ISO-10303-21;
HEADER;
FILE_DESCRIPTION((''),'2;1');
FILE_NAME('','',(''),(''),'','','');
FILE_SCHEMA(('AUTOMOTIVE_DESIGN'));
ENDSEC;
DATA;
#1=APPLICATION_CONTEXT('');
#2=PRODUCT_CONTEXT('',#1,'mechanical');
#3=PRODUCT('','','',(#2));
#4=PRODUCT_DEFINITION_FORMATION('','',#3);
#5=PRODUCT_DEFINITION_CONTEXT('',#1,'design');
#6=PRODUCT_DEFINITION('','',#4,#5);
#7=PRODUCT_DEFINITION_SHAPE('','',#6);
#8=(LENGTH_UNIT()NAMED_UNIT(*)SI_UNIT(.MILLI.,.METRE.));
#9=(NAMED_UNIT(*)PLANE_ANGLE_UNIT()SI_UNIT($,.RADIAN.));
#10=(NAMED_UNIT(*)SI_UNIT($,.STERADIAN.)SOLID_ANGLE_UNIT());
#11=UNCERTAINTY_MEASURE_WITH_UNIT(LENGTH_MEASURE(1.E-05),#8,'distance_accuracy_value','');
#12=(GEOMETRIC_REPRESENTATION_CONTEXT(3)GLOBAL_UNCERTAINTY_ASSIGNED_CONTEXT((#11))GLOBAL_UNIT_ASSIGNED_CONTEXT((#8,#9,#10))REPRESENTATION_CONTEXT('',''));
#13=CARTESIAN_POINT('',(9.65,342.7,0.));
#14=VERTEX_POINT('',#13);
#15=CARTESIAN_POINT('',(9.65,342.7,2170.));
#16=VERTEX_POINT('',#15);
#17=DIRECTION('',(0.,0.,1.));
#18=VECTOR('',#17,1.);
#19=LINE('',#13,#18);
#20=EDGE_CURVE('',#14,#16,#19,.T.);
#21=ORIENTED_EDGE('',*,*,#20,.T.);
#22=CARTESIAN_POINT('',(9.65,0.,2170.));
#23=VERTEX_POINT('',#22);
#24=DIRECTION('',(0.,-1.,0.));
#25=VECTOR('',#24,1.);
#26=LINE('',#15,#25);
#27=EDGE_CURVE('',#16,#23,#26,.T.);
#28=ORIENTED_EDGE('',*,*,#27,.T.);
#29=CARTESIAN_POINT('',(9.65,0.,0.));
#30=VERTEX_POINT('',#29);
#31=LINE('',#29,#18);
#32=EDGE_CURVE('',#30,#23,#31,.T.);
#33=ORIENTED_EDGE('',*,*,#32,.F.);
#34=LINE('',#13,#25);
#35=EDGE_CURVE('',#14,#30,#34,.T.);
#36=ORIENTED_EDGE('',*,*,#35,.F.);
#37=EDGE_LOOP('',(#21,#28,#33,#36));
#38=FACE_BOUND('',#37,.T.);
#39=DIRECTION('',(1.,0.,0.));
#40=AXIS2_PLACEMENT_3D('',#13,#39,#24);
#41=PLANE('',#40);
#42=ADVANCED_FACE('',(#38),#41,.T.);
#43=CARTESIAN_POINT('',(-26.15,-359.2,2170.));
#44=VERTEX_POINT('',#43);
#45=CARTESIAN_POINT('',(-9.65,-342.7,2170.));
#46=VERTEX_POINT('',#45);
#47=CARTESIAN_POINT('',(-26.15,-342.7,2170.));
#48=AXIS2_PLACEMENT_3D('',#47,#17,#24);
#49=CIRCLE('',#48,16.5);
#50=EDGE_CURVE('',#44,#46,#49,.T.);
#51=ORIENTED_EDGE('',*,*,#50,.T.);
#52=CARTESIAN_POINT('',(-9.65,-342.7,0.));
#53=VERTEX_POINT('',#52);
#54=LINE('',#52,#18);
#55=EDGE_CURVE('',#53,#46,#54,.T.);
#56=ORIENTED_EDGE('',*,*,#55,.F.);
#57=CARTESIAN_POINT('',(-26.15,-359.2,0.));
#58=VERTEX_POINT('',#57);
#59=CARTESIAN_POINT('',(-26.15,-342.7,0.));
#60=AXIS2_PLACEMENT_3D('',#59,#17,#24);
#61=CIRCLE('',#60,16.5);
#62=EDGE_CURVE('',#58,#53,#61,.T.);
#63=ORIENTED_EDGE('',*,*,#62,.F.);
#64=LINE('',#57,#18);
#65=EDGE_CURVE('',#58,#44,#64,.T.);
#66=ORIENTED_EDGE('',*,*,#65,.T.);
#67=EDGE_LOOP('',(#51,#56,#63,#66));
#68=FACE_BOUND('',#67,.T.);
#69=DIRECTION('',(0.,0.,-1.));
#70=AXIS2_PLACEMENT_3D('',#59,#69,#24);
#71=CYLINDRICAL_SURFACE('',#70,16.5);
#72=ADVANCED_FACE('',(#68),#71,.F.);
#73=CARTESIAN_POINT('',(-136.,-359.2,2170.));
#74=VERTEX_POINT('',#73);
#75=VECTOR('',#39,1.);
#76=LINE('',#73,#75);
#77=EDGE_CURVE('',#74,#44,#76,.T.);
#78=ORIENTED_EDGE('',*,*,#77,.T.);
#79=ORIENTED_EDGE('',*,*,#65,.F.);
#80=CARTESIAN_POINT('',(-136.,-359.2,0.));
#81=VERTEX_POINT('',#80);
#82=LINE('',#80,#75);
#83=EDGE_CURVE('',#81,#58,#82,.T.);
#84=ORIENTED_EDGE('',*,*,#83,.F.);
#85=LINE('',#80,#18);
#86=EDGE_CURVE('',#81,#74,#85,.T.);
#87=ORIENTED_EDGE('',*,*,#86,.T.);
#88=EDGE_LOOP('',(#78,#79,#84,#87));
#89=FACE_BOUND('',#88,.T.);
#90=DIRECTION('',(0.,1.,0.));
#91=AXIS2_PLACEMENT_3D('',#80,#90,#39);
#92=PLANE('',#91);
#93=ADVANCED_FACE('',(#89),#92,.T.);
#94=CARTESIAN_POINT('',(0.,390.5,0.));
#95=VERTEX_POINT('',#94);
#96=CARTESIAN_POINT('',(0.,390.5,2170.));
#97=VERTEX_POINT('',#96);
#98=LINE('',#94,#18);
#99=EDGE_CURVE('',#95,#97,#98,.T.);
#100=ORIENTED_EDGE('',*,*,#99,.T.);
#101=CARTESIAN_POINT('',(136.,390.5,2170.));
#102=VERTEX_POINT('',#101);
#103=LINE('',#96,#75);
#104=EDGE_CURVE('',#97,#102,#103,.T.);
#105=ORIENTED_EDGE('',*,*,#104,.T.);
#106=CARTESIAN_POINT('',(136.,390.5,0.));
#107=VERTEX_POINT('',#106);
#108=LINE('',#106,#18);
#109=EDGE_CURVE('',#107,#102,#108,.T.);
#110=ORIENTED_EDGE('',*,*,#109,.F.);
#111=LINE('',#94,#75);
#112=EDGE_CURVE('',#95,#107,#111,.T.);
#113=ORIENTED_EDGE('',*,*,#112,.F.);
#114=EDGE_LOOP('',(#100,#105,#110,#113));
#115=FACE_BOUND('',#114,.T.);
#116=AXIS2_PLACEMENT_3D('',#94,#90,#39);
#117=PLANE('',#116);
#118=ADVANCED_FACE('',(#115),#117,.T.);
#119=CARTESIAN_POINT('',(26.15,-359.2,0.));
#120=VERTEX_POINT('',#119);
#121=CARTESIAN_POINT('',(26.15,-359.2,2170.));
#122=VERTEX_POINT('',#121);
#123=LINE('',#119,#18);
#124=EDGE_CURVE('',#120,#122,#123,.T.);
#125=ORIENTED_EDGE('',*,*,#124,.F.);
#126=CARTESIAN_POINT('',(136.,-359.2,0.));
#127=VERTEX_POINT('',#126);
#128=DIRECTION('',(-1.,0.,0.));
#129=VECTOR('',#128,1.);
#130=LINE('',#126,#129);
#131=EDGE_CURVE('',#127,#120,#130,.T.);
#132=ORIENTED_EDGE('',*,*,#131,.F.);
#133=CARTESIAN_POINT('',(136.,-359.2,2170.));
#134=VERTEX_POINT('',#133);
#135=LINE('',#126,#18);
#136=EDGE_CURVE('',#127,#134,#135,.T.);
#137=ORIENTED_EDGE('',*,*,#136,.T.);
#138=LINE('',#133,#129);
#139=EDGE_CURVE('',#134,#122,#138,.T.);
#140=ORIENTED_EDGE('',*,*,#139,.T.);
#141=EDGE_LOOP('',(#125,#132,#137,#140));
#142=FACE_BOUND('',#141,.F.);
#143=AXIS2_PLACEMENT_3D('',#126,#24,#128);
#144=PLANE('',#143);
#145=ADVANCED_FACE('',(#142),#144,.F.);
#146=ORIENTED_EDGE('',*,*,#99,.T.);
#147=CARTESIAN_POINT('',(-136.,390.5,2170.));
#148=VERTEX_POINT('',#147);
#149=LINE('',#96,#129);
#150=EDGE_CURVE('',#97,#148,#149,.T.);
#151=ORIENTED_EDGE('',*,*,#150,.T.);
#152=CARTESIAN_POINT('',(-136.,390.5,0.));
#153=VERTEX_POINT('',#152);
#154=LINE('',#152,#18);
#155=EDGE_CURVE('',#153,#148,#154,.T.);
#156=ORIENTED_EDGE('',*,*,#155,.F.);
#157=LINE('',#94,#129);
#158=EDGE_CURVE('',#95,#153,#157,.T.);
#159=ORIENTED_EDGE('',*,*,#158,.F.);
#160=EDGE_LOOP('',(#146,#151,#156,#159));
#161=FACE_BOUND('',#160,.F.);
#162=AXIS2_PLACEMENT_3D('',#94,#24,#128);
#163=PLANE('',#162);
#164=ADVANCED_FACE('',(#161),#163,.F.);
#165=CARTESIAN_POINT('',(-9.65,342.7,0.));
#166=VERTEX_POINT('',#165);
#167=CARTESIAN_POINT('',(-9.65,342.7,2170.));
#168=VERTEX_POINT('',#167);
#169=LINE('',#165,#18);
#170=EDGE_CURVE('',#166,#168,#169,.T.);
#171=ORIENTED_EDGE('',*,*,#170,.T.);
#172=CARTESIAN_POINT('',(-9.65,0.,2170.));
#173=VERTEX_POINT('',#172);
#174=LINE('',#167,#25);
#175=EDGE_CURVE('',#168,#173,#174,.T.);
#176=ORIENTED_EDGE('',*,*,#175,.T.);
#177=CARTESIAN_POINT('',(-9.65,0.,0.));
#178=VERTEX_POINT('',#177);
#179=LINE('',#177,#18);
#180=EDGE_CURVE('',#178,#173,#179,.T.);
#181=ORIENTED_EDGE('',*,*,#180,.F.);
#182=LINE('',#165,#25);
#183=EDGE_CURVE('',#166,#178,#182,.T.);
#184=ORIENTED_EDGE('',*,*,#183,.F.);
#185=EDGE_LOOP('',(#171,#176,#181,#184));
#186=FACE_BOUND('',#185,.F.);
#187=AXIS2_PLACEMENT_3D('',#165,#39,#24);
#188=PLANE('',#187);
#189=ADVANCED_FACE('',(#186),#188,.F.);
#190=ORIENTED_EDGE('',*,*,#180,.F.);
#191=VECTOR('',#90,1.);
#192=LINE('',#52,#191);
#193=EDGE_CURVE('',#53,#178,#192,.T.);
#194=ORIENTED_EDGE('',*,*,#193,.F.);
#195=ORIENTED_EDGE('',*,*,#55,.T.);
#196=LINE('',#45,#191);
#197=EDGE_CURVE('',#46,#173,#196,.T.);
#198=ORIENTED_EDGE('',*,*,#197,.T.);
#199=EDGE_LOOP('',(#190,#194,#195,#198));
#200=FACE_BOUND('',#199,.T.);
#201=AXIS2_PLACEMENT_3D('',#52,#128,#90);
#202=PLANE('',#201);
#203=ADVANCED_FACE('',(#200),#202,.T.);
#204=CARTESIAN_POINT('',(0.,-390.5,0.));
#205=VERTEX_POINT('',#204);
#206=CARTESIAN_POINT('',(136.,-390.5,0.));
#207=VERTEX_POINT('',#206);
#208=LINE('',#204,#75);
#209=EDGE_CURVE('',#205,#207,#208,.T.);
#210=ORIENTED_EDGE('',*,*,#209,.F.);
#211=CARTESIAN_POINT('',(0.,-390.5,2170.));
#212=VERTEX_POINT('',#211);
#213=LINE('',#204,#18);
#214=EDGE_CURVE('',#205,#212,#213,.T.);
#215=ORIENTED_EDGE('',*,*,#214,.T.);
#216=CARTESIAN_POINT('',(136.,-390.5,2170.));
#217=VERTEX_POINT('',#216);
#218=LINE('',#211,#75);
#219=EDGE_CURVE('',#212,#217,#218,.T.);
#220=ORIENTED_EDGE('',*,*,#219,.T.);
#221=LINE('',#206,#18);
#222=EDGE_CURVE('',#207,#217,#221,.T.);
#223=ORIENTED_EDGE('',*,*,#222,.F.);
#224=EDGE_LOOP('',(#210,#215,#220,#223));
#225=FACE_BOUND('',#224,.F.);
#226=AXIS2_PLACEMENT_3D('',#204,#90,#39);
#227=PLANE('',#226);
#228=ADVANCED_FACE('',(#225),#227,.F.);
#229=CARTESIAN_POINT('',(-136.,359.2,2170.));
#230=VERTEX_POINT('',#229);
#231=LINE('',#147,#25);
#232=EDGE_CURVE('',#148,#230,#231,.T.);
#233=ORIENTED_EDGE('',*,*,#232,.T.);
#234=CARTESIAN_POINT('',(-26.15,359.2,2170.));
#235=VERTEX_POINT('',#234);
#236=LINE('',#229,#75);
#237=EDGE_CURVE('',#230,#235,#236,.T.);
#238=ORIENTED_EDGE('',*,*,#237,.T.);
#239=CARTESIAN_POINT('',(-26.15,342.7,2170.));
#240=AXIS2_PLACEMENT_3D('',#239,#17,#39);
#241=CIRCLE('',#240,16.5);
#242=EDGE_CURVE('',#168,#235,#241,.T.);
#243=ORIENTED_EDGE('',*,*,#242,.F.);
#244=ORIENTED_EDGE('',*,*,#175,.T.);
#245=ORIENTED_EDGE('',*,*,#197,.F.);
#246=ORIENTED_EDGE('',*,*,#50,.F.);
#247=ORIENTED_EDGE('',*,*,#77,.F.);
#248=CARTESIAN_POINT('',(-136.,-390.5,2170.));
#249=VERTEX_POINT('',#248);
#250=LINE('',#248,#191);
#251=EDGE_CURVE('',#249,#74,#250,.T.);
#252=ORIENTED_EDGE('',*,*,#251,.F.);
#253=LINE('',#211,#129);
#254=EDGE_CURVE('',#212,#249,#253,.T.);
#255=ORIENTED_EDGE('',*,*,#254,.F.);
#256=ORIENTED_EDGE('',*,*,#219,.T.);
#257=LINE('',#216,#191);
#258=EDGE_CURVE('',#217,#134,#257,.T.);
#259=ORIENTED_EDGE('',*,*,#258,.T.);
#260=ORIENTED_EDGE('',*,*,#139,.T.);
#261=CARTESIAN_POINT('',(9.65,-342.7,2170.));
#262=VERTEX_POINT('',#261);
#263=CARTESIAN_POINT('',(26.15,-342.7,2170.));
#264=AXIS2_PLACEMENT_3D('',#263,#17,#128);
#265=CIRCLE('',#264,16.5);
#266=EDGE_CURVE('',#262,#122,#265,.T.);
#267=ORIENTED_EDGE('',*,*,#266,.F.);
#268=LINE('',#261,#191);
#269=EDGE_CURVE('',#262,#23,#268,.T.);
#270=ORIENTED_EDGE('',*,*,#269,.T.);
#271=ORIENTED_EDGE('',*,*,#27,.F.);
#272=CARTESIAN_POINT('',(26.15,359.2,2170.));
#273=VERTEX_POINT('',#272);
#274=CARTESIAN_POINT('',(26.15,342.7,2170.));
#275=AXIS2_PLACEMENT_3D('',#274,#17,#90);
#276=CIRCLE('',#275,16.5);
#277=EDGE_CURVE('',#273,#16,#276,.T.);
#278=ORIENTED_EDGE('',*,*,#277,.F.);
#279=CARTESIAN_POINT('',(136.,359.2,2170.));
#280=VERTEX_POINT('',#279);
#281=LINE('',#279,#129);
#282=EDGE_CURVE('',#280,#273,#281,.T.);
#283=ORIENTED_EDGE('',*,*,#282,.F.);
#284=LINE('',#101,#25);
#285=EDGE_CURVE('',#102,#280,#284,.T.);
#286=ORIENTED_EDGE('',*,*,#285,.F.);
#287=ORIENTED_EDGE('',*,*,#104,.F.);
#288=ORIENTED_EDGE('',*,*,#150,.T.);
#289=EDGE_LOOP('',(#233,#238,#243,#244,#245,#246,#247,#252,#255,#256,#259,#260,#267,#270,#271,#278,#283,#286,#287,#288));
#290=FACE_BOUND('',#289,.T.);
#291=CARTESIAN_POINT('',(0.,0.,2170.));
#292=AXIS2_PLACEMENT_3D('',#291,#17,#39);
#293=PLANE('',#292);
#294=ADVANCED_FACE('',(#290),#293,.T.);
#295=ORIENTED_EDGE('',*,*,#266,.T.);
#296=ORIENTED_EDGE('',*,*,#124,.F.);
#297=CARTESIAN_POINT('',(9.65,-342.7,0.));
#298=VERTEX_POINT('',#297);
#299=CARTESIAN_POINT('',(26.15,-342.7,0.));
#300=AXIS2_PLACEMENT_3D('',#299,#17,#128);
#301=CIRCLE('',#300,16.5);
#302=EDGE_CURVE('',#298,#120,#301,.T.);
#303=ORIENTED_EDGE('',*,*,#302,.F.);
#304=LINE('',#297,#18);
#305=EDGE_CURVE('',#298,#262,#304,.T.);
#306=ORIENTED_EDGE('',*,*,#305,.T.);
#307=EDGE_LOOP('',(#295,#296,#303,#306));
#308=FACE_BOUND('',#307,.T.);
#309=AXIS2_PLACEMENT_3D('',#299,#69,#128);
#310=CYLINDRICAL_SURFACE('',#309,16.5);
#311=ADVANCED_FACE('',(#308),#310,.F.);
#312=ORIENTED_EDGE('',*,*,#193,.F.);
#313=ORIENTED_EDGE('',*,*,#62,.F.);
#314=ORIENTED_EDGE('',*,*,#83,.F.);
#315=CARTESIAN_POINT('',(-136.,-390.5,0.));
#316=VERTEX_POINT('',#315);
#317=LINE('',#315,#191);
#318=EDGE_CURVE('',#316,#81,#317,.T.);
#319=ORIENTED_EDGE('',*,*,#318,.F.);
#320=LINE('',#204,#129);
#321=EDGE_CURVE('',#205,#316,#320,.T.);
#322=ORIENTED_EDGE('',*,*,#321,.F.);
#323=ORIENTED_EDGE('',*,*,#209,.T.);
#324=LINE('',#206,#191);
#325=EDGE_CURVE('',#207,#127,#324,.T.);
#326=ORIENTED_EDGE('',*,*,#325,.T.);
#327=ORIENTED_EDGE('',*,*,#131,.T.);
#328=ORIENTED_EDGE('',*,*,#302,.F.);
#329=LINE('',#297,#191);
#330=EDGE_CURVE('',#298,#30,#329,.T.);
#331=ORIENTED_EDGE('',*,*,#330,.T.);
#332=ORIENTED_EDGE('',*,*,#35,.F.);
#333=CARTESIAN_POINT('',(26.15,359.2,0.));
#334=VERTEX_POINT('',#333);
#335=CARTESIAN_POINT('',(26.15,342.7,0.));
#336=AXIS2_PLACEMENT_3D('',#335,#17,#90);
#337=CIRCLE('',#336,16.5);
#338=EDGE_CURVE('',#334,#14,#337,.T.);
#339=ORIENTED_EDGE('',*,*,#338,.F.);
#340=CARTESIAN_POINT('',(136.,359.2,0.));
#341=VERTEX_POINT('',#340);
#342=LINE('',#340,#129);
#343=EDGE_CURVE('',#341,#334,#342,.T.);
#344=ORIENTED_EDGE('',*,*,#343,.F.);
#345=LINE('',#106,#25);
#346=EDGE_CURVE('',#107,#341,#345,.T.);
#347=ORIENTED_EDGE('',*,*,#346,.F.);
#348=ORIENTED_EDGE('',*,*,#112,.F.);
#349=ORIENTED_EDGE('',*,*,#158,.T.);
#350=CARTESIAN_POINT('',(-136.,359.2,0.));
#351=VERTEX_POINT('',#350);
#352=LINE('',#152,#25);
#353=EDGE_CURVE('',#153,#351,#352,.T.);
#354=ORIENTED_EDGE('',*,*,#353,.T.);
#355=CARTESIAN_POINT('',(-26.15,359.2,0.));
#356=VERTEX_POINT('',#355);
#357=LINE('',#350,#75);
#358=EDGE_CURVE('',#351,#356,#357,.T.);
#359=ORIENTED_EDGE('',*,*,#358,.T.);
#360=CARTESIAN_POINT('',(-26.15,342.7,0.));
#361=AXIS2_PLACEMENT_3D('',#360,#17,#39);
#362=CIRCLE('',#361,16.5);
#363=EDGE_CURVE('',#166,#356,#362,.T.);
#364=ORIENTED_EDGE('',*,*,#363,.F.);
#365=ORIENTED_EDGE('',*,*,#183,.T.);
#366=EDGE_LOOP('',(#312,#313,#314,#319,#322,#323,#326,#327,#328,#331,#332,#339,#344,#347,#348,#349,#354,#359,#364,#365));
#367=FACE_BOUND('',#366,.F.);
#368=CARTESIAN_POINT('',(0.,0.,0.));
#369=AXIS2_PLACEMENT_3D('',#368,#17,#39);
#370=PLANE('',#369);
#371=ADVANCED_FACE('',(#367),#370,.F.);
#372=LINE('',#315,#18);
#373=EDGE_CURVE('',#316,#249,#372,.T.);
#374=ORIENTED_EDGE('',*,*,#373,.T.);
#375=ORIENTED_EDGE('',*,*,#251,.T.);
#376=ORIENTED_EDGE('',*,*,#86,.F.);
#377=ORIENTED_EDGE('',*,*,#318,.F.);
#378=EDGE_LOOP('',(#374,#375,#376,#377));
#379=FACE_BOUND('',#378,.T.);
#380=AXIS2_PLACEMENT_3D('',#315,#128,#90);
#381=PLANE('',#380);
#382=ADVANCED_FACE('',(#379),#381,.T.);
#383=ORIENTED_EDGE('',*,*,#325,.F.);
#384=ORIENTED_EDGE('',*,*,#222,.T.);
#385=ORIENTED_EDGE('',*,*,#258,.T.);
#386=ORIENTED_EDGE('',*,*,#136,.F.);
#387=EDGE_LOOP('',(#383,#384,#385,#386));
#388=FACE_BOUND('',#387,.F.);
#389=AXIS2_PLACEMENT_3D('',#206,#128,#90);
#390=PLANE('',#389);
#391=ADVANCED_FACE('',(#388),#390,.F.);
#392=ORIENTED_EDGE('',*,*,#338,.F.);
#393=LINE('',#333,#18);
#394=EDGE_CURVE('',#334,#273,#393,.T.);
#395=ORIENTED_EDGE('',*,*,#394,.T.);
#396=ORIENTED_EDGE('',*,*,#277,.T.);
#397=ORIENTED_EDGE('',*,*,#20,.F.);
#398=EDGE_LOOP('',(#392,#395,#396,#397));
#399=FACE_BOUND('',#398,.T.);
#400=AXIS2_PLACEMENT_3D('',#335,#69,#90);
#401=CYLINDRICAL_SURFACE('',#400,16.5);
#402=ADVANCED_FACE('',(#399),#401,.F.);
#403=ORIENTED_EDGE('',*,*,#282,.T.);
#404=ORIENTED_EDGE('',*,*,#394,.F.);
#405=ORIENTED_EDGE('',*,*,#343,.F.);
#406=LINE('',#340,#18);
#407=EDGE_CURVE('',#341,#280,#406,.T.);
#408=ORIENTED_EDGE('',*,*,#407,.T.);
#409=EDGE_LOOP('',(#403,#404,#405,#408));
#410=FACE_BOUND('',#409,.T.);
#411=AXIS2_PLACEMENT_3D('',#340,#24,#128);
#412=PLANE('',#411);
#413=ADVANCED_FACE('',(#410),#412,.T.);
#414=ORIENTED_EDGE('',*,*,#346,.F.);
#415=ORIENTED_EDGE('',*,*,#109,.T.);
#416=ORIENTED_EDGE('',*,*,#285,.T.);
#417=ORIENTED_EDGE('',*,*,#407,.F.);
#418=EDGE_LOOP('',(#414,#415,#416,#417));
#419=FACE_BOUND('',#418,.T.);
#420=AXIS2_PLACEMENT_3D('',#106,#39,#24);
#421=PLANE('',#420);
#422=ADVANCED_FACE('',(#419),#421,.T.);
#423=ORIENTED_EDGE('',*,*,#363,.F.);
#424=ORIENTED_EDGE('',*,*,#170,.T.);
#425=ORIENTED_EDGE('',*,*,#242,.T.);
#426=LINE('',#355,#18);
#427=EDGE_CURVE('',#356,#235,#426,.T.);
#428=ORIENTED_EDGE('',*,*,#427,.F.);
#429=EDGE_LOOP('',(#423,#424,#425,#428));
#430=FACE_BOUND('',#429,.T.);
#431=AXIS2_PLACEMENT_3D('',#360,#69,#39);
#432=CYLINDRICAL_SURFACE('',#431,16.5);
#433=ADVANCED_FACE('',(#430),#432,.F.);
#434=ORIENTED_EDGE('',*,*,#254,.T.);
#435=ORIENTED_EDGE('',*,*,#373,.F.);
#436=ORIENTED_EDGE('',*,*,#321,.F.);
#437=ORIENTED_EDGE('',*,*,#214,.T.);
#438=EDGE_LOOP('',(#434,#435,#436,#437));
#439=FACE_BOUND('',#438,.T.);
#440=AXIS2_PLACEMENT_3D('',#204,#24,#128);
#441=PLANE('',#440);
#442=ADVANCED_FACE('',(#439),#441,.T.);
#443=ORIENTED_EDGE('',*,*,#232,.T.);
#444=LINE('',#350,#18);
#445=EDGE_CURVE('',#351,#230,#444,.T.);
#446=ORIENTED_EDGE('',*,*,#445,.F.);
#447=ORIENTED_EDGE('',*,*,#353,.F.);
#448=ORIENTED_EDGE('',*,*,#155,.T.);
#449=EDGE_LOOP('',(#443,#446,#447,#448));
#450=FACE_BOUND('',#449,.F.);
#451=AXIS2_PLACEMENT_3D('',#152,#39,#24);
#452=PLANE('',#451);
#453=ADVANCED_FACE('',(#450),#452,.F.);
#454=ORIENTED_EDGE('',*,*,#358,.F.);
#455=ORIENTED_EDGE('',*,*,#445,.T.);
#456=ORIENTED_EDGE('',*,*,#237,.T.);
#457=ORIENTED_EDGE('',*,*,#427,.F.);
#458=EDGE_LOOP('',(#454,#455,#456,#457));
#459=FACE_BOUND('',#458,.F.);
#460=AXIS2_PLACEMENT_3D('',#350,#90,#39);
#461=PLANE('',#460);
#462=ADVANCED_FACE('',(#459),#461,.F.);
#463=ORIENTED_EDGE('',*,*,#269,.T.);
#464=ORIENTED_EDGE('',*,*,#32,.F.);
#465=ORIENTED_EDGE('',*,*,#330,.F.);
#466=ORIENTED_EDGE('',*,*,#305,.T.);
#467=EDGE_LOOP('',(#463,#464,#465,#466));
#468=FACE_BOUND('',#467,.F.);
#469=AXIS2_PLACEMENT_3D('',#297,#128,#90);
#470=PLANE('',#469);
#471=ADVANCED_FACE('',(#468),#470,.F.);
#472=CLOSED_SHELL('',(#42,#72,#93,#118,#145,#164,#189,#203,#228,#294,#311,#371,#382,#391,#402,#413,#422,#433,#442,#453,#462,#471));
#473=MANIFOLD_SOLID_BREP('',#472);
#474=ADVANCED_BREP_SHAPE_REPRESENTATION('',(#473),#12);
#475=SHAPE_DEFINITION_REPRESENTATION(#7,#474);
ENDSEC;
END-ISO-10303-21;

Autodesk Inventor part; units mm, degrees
ref_plane "YZ Plane" through (0, 0, 0) normal (1, 0, 0) x (0, 1, 0)
ref_plane "Start plane" through (0, 0, 0) normal (0, 0, 1) x (1, 0, 0)
ref_plane "End plane" through (0, 0, 2170) normal (0, 0, 1) x (1, 0, 0)
sketch "Sketch" plane through (0, 0, 0) normal (0, 0, 1) x (1, 0, 0)
  line L0 (-136, -390.5) -> (-136, -359.2)
  line L1 (-136, -359.2) -> (-26.15, -359.2)
  line L2 (-9.65, -342.7) -> (-9.65, 0)
  line L3 (-9.65, 0) -> (0, 0) construction
  line L4 (0, 0) -> (0, -390.5) construction
  line L5 (0, -390.5) -> (-136, -390.5)
  line L6 (-60, 0) -> (80, 0) construction
  line L7 (0, -60) -> (0, 80) construction
  line L8 (136, -390.5) -> (136, -359.2)
  line L9 (136, -359.2) -> (26.15, -359.2)
  line L10 (9.65, -342.7) -> (9.65, 0)
  line L11 (9.65, 0) -> (0, 0) construction
  line L12 (0, -390.5) -> (136, -390.5)
  line L13 (-136, 390.5) -> (-136, 359.2)
  line L14 (-136, 359.2) -> (-26.15, 359.2)
  line L15 (-9.65, 342.7) -> (-9.65, 0)
  line L16 (0, 390.5) -> (-136, 390.5)
  line L17 (136, 390.5) -> (136, 359.2)
  line L18 (136, 359.2) -> (26.15, 359.2)
  line L19 (0, 390.5) -> (136, 390.5)
  line L20 (9.65, 342.7) -> (9.65, 0)
  arc A0 (-9.65, 342.7) -> (-26.15, 359.2) centre (-26.15, 342.7) ccw
  arc A1 (26.15, 359.2) -> (9.65, 342.7) centre (26.15, 342.7) ccw
  arc A2 (9.65, -342.7) -> (26.15, -359.2) centre (26.15, -342.7) ccw
  arc A3 (-26.15, -359.2) -> (-9.65, -342.7) centre (-26.15, -342.7) ccw
  line L21 (0, 108) -> (0, -88) construction
  line L22 (-88, 0) -> (108, 0) construction
  point P0 (-9.65, -359.2)
  point P1 (9.65, -359.2)
  point P2 (-9.65, 359.2)
  point P3 (9.65, 359.2)
  dimension "d1" = 390.5
  dimension "d2" = 31.3
  dimension "d3" = 136
  dimension "d4" = 9.65
  dimension "d10" = 16.5
extrude "Body" add sketch "Sketch" along normal up to surface (2170 mm away) from surface at 0
sketch "Sketch4" plane through (0, 0, 0) normal (0, 0, 1) x (1, 0, 0)
  line L0 (0, 0) -> (10, 0)
ref_plane "Work Plane3" through (0, 0, 0) normal (0, -1, 0) x (1, 0, 0)
sketch "Sketch5" plane through (0, 0, 0) normal (0, -1, 0) x (1, 0, 0)
  line L0 (-2, 0) -> (12, 0) projected
  line L1 (-2, 2170) -> (12, 2170) projected
  dimension "d14" = 2170
equation "\"d1\" = 0.5 * G_H"
equation "\"d2\" = G_T1"
equation "\"d3\" = 0.5 * G_W"
equation "\"d4\" = 0.5 * G_T"
equation "\"d10\" = G_IR"
equation "\"d5\" = G_L"
equation "\"G_W\" = 272"
equation "\"G_H\" = 781"
equation "\"G_T\" = 19.3"
equation "\"G_T1\" = 31.3"
equation "\"G_IR\" = 16.5"
equation "\"G_L\" = d14"
equation "\"G_OFFSET_START\" = 0"
equation "\"G_OFFSET_END\" = 0"
properties part number "AS 3679-1990 - 760 UB - 244 - 2170" material "Steel, Mild"
